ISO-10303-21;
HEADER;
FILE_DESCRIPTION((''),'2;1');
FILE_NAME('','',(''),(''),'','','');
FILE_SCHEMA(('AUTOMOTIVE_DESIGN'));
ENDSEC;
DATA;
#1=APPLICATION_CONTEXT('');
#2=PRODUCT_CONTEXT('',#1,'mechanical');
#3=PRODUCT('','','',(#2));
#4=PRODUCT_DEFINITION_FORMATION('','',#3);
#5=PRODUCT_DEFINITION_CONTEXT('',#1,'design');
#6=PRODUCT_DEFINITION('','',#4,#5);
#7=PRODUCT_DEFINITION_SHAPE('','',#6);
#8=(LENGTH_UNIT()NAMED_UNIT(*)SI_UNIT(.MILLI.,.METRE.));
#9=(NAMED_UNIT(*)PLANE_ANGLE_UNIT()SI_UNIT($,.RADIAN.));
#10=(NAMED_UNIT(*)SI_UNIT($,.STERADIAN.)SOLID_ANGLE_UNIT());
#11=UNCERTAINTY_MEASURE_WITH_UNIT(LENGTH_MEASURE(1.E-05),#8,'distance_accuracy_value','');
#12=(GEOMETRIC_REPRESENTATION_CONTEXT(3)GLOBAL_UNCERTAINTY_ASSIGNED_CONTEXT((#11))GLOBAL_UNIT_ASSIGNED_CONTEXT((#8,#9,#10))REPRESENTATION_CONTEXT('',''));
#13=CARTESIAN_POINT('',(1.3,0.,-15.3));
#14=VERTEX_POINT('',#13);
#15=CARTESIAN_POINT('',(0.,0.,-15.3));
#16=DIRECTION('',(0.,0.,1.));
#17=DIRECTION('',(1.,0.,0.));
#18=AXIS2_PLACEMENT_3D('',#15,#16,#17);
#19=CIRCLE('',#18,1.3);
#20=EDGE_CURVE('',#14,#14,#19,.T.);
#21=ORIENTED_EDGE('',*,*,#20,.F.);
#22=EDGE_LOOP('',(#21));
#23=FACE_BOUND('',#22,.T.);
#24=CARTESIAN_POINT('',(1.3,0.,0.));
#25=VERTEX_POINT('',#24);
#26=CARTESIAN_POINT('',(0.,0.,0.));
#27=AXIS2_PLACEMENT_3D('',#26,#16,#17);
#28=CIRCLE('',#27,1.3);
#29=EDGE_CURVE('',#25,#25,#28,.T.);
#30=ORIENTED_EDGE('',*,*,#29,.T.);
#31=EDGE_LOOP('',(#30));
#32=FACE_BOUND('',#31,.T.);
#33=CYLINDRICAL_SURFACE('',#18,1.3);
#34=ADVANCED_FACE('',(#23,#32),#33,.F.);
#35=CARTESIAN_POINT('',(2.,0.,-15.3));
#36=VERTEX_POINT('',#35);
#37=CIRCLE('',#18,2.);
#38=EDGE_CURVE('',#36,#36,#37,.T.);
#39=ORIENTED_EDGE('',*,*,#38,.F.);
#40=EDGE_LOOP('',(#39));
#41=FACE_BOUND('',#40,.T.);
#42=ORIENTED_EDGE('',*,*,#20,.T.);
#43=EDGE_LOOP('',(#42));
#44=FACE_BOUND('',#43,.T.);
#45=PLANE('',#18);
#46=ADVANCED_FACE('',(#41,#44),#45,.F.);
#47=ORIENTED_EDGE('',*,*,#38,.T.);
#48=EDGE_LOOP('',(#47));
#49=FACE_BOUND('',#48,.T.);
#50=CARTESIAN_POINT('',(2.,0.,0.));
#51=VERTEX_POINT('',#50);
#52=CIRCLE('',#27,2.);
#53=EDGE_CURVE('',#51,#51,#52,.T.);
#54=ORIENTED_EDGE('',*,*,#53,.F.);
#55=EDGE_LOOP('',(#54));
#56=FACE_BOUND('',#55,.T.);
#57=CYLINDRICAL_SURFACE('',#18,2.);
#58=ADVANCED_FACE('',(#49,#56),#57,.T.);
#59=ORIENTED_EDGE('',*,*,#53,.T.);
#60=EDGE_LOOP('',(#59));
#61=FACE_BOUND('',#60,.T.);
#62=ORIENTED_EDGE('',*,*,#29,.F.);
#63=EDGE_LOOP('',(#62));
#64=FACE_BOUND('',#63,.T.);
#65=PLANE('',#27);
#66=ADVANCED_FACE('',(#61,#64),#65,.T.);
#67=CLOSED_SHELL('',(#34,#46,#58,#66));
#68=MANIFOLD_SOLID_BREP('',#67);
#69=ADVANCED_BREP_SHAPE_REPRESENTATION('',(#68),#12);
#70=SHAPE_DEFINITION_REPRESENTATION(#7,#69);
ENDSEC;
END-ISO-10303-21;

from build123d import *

# Parameters (mm, degrees)
SKETCH1_R           = 2
BOSS_EXTRUDE1_DEPTH = 15.3
SKETCH2_R           = 1.3
CUT_EXTRUDE1_DEPTH  = 16.3


with BuildPart() as part:
    # Sketch1 → Boss-Extrude1 (new body)
    with BuildSketch(Plane.XY):
        Circle(SKETCH1_R)
    extrude(amount=-BOSS_EXTRUDE1_DEPTH)

    # Sketch2 → Cut-Extrude1 (cut, through all)
    with BuildSketch(Plane.XY):
        Circle(SKETCH2_R)
    extrude(amount=-CUT_EXTRUDE1_DEPTH, mode=Mode.SUBTRACT)


solid = part.part
